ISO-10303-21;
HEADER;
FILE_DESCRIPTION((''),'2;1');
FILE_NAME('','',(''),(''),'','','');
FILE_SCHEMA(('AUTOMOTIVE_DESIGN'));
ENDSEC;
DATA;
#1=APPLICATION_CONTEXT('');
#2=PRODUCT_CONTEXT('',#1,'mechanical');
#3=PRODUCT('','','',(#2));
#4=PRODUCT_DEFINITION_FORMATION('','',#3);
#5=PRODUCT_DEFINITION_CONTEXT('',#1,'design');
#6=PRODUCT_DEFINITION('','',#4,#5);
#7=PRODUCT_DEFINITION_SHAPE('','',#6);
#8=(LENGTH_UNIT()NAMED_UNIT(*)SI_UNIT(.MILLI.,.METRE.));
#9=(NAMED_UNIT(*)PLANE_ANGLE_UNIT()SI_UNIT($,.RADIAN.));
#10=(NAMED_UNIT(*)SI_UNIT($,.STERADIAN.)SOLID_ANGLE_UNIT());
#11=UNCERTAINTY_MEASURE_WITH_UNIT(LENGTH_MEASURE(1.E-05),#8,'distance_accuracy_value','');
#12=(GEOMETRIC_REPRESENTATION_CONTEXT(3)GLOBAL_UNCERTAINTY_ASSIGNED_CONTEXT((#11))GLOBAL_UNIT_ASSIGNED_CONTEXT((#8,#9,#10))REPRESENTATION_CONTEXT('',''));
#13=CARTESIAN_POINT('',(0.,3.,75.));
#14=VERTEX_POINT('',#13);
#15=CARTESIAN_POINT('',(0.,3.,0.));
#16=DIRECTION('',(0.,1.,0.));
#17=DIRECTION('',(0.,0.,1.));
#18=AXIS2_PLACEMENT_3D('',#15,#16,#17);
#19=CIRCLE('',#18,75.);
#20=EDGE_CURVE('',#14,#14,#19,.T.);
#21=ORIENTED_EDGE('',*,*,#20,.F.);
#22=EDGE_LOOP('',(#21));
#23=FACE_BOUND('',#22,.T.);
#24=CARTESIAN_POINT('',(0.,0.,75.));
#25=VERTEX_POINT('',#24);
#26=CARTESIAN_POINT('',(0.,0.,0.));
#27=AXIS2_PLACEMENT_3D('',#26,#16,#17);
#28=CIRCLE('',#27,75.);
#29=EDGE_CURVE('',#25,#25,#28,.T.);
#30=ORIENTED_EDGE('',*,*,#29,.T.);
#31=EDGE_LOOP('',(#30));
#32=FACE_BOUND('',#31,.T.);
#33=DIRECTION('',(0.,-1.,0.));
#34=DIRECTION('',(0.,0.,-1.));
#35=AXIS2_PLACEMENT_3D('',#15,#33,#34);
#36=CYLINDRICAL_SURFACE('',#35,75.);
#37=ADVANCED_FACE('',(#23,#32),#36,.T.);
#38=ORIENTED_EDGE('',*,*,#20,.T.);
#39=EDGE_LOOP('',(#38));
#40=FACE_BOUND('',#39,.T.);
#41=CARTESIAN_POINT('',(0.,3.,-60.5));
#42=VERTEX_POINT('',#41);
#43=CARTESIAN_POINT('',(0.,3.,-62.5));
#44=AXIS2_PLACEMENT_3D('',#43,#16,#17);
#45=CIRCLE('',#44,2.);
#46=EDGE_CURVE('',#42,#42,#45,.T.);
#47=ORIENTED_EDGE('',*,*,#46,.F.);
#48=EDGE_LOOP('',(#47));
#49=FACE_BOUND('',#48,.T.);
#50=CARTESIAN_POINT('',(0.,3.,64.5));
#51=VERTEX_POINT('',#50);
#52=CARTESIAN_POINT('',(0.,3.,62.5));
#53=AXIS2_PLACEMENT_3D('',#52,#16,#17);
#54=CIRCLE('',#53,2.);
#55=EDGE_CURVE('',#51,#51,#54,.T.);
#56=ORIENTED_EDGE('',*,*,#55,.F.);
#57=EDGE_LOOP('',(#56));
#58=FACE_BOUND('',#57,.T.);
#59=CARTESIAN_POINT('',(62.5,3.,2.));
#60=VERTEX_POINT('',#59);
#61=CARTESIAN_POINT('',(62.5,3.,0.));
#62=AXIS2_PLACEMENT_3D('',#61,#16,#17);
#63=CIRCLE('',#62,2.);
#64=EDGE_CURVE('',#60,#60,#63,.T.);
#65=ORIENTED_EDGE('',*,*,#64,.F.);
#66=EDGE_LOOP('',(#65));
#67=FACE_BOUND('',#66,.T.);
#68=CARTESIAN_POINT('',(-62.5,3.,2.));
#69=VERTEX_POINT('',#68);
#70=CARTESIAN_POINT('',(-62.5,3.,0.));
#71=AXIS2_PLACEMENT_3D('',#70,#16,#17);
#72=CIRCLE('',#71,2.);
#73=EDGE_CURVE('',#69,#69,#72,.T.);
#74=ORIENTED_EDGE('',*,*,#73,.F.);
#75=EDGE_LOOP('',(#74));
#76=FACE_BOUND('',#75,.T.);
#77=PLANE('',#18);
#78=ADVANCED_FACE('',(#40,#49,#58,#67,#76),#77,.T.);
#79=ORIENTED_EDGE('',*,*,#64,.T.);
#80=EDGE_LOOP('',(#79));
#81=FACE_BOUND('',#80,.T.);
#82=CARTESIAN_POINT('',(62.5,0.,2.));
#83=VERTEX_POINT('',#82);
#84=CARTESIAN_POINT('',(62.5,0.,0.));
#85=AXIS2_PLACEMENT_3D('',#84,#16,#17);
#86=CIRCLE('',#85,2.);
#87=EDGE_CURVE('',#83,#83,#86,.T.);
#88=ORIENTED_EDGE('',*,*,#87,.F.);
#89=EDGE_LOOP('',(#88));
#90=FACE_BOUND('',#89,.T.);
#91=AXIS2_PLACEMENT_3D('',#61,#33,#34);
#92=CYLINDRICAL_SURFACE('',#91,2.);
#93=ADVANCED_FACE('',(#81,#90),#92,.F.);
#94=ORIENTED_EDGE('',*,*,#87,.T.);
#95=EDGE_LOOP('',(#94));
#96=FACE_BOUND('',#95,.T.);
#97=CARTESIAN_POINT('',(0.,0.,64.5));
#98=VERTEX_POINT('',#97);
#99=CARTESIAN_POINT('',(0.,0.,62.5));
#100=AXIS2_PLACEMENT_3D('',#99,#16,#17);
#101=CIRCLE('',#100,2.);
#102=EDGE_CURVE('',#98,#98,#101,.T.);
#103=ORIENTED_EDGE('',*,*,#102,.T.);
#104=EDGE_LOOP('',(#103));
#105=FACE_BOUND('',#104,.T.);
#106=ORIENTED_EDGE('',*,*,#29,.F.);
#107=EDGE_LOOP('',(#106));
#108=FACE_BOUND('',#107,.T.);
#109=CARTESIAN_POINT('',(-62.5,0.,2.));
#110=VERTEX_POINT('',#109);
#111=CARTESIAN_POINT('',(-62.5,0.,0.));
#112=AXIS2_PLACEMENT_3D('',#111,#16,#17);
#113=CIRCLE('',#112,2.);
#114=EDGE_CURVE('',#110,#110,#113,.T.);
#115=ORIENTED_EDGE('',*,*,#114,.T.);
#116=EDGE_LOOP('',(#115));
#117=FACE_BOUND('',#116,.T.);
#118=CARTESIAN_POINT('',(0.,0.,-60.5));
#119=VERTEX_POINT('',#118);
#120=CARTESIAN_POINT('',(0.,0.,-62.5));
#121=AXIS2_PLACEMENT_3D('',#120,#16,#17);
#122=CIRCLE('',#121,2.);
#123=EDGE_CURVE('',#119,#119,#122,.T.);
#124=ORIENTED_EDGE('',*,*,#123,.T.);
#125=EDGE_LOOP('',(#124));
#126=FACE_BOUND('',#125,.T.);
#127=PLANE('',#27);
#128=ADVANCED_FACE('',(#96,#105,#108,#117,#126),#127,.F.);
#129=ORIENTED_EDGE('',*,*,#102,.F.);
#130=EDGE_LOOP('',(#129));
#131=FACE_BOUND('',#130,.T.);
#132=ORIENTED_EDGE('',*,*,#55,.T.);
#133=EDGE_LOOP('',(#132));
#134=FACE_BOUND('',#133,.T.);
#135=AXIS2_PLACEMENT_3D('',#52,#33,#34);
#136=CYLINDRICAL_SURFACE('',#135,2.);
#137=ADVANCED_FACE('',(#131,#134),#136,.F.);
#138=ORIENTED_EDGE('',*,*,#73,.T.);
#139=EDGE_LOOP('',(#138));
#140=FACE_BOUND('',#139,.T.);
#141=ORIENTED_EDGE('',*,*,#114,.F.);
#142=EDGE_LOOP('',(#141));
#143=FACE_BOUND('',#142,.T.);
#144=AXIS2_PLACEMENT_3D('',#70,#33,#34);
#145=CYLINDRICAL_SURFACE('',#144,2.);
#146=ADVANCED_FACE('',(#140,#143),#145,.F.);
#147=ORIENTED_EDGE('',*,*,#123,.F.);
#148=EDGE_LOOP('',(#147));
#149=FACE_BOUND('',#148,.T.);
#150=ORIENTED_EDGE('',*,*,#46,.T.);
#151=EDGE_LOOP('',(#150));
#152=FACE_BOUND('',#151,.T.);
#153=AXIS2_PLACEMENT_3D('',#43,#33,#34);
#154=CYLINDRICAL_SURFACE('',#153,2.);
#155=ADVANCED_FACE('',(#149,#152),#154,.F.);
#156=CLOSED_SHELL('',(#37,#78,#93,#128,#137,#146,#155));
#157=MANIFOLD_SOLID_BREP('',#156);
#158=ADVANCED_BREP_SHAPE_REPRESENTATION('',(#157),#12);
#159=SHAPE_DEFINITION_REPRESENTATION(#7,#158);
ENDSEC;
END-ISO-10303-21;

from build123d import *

# Parameters (mm, degrees)
SKETCH1_R           = 75
SKETCH1_R_2         = 2
BOSS_EXTRUDE1_DEPTH = 3


with BuildPart() as part:
    # Sketch1 → Boss-Extrude1 (new body)
    with BuildSketch(Plane(origin=(0, 0, 0), x_dir=(1, 0, 0), z_dir=(0, 1, 0))):
        with Locations(Location((0, 0, 0), (0, 0, 270))):
            Circle(SKETCH1_R)
        with Locations(Location((0, 62.5, 0), (0, 0, 270))):
            Circle(SKETCH1_R_2, mode=Mode.SUBTRACT)
        with Locations(Location((62.5, 0, 0), (0, 0, 270))):
            Circle(SKETCH1_R_2, mode=Mode.SUBTRACT)
        with Locations(Location((0, -62.5, 0), (0, 0, 270))):
            Circle(SKETCH1_R_2, mode=Mode.SUBTRACT)
        with Locations(Location((-62.5, 0, 0), (0, 0, 270))):
            Circle(SKETCH1_R_2, mode=Mode.SUBTRACT)
    extrude(amount=BOSS_EXTRUDE1_DEPTH)


solid = part.part
